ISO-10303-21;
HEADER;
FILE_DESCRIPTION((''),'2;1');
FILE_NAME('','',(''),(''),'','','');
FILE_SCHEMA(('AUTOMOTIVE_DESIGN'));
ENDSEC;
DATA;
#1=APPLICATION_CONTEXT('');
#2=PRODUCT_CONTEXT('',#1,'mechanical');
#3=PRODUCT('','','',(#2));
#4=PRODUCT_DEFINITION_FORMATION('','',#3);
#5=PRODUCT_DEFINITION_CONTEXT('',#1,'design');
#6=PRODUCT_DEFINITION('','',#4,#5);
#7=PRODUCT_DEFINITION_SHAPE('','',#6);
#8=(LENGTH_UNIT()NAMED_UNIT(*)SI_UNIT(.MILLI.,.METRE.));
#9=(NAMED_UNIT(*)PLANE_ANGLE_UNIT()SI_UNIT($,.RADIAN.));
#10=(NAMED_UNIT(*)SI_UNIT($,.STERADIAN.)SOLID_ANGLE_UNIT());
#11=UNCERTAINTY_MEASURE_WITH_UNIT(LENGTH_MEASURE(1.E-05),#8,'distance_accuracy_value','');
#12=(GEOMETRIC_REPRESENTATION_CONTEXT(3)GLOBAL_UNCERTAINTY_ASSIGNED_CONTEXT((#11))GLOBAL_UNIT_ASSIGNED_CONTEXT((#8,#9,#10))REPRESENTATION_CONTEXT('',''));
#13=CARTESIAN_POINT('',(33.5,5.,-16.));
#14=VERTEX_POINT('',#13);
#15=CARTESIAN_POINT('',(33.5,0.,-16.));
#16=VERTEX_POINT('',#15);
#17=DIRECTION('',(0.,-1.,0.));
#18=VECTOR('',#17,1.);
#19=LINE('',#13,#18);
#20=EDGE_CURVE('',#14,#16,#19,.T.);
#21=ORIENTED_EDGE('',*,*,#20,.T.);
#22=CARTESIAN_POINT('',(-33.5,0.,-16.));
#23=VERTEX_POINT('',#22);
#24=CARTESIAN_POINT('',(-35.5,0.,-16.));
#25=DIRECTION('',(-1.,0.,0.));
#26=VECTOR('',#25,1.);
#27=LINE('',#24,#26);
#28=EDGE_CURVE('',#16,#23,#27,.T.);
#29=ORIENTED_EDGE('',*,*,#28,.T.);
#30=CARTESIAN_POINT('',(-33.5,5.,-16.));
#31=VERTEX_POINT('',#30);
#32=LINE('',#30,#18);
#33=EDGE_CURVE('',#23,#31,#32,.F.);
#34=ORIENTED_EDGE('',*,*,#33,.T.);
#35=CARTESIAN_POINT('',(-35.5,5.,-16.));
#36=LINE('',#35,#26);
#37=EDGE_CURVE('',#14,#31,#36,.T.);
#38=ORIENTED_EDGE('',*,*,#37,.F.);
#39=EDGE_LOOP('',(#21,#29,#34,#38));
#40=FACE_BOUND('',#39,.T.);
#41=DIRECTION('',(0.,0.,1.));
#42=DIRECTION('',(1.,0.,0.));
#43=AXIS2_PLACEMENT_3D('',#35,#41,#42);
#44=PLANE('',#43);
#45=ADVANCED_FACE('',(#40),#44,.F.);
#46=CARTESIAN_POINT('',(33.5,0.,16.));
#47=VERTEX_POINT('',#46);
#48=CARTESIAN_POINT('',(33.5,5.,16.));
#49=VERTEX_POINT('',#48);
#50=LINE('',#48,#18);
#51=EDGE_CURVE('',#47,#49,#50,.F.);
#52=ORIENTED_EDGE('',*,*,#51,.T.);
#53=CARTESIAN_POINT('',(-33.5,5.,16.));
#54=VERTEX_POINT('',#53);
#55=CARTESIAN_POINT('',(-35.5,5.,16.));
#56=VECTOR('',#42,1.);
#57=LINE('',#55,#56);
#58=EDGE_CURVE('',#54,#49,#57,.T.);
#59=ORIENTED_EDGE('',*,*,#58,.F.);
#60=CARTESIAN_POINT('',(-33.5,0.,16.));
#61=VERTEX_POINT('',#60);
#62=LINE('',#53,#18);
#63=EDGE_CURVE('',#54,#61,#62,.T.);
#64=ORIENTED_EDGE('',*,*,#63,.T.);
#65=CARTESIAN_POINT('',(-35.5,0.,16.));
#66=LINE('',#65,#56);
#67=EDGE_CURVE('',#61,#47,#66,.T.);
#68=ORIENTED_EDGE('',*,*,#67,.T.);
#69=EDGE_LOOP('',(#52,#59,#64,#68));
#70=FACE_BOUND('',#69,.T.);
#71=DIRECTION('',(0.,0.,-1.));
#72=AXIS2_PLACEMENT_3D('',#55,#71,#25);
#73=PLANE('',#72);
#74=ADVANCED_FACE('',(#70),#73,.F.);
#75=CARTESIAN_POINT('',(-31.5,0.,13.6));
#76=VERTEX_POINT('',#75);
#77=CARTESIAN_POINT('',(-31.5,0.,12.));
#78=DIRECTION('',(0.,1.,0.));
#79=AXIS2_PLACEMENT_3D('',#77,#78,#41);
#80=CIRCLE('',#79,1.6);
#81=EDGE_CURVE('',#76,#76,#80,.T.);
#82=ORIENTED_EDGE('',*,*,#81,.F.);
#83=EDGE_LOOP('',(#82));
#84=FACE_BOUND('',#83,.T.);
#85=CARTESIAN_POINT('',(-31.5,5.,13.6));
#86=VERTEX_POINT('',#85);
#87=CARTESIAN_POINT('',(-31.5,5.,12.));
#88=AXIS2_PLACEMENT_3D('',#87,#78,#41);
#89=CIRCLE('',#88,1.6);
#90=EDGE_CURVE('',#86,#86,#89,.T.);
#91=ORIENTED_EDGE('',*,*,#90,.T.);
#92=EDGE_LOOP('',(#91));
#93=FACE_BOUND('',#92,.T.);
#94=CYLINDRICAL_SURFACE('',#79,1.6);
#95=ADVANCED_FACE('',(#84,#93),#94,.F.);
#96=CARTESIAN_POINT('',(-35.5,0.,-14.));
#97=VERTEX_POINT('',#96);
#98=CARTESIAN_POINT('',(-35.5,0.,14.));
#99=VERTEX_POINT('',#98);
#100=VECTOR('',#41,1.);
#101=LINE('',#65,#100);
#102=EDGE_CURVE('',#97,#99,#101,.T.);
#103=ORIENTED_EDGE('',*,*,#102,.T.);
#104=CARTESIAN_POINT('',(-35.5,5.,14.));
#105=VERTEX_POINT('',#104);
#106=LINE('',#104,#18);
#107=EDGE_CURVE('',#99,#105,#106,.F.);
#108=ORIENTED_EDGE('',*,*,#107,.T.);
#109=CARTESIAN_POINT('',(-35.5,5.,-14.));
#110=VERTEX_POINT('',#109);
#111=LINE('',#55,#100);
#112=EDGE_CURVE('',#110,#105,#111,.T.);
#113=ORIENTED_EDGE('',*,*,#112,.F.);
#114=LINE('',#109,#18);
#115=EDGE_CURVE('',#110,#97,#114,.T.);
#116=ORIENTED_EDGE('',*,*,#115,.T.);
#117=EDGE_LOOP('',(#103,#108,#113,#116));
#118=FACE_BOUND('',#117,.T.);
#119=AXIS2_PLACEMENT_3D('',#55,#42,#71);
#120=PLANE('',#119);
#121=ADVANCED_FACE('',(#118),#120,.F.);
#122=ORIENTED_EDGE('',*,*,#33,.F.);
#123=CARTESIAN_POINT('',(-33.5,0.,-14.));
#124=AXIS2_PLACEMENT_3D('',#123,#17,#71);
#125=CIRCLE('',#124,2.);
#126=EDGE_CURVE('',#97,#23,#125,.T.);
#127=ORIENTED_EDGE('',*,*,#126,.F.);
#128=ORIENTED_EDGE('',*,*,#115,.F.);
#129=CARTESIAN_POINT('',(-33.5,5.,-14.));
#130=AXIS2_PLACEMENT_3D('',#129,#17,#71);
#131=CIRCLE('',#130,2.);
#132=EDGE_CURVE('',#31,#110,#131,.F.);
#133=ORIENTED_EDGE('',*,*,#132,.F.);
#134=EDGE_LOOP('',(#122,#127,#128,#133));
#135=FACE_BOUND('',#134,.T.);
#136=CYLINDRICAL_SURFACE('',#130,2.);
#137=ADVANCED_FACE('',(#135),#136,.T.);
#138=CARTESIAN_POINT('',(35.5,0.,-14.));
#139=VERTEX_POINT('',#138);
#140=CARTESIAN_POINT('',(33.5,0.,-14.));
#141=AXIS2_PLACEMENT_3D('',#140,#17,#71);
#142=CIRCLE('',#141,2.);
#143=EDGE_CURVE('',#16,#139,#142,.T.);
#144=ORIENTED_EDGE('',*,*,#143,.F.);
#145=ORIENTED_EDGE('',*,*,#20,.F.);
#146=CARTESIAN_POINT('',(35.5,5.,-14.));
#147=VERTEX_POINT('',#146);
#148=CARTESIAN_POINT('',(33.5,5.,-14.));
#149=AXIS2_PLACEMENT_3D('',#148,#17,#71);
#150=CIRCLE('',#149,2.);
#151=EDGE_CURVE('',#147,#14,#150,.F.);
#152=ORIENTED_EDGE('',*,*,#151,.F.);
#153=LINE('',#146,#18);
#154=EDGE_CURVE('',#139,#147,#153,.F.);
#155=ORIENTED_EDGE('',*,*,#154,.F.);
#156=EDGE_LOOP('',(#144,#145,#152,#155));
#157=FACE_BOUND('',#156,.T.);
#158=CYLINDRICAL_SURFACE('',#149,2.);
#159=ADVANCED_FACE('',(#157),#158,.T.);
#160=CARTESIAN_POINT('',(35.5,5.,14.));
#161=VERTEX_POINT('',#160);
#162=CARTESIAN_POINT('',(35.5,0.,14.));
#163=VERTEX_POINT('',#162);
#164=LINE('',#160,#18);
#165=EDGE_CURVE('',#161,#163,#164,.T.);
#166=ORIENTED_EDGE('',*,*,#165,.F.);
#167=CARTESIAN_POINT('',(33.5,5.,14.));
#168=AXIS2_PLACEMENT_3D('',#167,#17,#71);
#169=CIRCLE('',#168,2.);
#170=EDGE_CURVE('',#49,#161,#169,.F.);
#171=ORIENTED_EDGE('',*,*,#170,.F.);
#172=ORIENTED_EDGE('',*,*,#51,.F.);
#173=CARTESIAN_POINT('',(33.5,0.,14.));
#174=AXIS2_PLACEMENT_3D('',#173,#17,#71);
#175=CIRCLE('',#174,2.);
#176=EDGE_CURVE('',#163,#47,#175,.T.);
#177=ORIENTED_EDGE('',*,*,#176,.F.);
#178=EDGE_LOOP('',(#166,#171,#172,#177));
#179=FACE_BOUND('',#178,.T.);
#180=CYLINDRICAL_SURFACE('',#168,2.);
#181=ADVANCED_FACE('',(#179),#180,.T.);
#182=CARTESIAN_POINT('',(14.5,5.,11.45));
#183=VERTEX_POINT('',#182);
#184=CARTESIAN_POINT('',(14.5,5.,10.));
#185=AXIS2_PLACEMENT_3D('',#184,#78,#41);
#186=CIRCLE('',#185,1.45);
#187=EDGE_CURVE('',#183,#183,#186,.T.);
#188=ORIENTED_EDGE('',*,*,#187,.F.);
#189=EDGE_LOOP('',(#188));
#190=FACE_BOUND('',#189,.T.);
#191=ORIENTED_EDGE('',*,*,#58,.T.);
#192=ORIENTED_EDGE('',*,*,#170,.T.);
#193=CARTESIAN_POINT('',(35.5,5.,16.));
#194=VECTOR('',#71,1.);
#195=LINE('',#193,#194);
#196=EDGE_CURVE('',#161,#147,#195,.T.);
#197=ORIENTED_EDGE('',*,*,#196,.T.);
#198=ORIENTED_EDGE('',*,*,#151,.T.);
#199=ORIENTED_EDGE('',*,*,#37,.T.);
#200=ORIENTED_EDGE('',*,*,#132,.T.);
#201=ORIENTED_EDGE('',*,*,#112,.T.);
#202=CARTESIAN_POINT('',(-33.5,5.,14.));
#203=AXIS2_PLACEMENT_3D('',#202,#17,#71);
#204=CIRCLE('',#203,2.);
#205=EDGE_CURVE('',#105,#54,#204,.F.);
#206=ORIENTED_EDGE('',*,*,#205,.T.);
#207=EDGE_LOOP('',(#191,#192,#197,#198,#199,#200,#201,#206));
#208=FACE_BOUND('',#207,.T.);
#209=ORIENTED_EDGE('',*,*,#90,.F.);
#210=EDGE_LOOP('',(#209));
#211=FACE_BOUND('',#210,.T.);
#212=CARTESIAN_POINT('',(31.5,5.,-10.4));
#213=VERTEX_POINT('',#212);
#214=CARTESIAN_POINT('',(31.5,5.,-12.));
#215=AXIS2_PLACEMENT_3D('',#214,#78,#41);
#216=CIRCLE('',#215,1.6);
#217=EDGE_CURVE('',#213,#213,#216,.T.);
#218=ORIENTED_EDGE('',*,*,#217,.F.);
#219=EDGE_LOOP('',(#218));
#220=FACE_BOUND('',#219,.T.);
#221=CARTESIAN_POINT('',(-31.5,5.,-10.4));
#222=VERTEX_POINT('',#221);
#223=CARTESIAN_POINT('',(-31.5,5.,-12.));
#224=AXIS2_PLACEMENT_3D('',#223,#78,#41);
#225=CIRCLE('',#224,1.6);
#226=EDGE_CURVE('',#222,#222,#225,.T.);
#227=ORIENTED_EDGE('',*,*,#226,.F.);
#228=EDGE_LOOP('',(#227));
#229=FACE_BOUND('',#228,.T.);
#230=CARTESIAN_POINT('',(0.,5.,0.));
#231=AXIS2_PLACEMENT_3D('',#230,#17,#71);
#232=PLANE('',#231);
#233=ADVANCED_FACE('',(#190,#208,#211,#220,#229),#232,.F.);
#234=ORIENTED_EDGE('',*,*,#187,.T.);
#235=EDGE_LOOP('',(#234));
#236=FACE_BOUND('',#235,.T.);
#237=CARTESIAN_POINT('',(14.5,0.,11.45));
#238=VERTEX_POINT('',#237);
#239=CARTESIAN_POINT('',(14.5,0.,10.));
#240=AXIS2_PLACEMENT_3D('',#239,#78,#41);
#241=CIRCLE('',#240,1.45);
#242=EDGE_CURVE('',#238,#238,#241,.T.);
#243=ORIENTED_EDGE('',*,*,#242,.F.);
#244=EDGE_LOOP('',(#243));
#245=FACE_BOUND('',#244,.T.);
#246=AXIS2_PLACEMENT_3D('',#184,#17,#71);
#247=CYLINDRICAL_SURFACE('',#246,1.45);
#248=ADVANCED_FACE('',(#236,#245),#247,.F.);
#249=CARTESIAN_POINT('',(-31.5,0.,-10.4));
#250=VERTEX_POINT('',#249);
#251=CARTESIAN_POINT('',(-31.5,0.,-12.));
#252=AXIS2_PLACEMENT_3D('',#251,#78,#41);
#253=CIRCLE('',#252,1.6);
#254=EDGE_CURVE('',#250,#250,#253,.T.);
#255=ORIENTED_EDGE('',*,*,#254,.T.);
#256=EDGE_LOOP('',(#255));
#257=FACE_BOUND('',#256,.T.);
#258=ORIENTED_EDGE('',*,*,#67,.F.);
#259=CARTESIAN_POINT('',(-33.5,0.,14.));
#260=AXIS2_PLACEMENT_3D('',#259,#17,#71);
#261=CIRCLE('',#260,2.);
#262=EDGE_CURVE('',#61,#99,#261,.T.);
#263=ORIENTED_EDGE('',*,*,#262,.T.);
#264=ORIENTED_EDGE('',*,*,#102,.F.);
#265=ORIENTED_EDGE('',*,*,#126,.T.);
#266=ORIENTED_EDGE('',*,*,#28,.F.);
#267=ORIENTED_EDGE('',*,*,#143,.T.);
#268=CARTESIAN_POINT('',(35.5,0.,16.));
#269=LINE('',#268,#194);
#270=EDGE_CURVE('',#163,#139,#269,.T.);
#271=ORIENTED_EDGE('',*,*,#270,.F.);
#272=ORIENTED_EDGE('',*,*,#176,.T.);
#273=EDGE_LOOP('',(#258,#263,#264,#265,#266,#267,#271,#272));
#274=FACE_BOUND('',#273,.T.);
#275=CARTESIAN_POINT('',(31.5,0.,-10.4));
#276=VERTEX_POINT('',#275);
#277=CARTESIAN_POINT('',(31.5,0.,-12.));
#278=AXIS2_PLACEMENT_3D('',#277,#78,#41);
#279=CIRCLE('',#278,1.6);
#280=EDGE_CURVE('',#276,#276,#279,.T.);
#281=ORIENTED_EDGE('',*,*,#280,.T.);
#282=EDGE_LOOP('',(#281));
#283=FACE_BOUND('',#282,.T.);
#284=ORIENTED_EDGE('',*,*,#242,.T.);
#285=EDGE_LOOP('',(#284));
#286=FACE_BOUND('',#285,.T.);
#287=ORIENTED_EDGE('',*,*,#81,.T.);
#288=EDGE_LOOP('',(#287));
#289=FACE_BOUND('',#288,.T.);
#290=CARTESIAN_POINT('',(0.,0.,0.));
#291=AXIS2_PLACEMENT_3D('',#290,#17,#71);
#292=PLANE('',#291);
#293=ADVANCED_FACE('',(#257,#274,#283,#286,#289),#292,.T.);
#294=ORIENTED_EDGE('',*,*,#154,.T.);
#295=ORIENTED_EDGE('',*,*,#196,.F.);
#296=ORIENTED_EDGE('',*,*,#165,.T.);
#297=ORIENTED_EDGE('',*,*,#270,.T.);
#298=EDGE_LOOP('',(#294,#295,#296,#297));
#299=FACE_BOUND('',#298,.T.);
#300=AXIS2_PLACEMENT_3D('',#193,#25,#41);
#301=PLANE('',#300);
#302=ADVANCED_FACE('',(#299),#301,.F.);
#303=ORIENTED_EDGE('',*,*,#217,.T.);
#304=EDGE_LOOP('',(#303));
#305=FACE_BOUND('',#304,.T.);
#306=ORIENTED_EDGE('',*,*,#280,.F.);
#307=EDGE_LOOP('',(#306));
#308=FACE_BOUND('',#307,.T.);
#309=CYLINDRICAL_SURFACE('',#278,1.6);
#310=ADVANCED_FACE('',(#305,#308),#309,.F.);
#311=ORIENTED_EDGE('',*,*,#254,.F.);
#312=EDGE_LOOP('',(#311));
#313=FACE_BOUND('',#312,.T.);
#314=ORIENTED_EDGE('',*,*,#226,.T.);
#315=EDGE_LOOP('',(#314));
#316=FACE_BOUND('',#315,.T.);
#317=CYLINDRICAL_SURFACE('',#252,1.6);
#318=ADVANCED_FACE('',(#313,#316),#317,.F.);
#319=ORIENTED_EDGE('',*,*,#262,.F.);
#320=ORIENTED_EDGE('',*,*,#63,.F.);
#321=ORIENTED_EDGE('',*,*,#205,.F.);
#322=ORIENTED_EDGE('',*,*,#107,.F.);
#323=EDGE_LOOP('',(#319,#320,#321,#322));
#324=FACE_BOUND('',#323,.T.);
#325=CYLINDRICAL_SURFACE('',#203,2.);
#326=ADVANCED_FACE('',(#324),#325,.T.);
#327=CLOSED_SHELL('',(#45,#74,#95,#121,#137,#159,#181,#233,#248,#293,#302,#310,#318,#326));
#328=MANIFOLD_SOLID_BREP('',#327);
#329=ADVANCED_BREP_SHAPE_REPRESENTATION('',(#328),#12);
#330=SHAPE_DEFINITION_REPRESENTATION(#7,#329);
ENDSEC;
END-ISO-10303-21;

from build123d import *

# Parameters (mm, degrees)
SKETCH_1_W          = 71
SKETCH_1_H          = 32
SKETCH_1_R          = 1.45
EXTRUDE_1_DEPTH     = 5
SKETCH_2_R          = 1.6
CUT_EXTRUDE_1_DEPTH = 5
FILLET_1_R          = 2


with BuildPart() as part:
    # 草图1 → 凸台-拉伸1 (new body)
    with BuildSketch(Plane(origin=(0, 0, 0), x_dir=(1, 0, 0), z_dir=(0, 1, 0))):
        Rectangle(SKETCH_1_W, SKETCH_1_H)
        with Locations(Location((14.5, -10, 0), (0, 0, 270))):
            Circle(SKETCH_1_R, mode=Mode.SUBTRACT)
    extrude(amount=EXTRUDE_1_DEPTH)

    # 草图2 → 切除-拉伸1 (cut)
    with BuildSketch(Plane(origin=(0, 5, 0), x_dir=(1, 0, 0), z_dir=(0, 1, 0))):
        with Locations(Location((-31.5, 12, 0), (0, 0, 270))):
            Circle(SKETCH_2_R)
        with Locations(Location((-31.5, -12, 0), (0, 0, 270))):
            Circle(SKETCH_2_R)
        with Locations(Location((31.5, 12, 0), (0, 0, 270))):
            Circle(SKETCH_2_R)
    extrude(amount=-CUT_EXTRUDE_1_DEPTH, mode=Mode.SUBTRACT)

    # 圆角1
    fillet_1_edges = [part.edges().sort_by_distance(p)[0] for p in [
        (35.5, 2.5, 16),
        (-35.5, 2.5, 16),
        (-35.5, 2.5, -16),
        (35.5, 2.5, -16),
    ]]
    fillet(fillet_1_edges, radius=FILLET_1_R)


solid = part.part
